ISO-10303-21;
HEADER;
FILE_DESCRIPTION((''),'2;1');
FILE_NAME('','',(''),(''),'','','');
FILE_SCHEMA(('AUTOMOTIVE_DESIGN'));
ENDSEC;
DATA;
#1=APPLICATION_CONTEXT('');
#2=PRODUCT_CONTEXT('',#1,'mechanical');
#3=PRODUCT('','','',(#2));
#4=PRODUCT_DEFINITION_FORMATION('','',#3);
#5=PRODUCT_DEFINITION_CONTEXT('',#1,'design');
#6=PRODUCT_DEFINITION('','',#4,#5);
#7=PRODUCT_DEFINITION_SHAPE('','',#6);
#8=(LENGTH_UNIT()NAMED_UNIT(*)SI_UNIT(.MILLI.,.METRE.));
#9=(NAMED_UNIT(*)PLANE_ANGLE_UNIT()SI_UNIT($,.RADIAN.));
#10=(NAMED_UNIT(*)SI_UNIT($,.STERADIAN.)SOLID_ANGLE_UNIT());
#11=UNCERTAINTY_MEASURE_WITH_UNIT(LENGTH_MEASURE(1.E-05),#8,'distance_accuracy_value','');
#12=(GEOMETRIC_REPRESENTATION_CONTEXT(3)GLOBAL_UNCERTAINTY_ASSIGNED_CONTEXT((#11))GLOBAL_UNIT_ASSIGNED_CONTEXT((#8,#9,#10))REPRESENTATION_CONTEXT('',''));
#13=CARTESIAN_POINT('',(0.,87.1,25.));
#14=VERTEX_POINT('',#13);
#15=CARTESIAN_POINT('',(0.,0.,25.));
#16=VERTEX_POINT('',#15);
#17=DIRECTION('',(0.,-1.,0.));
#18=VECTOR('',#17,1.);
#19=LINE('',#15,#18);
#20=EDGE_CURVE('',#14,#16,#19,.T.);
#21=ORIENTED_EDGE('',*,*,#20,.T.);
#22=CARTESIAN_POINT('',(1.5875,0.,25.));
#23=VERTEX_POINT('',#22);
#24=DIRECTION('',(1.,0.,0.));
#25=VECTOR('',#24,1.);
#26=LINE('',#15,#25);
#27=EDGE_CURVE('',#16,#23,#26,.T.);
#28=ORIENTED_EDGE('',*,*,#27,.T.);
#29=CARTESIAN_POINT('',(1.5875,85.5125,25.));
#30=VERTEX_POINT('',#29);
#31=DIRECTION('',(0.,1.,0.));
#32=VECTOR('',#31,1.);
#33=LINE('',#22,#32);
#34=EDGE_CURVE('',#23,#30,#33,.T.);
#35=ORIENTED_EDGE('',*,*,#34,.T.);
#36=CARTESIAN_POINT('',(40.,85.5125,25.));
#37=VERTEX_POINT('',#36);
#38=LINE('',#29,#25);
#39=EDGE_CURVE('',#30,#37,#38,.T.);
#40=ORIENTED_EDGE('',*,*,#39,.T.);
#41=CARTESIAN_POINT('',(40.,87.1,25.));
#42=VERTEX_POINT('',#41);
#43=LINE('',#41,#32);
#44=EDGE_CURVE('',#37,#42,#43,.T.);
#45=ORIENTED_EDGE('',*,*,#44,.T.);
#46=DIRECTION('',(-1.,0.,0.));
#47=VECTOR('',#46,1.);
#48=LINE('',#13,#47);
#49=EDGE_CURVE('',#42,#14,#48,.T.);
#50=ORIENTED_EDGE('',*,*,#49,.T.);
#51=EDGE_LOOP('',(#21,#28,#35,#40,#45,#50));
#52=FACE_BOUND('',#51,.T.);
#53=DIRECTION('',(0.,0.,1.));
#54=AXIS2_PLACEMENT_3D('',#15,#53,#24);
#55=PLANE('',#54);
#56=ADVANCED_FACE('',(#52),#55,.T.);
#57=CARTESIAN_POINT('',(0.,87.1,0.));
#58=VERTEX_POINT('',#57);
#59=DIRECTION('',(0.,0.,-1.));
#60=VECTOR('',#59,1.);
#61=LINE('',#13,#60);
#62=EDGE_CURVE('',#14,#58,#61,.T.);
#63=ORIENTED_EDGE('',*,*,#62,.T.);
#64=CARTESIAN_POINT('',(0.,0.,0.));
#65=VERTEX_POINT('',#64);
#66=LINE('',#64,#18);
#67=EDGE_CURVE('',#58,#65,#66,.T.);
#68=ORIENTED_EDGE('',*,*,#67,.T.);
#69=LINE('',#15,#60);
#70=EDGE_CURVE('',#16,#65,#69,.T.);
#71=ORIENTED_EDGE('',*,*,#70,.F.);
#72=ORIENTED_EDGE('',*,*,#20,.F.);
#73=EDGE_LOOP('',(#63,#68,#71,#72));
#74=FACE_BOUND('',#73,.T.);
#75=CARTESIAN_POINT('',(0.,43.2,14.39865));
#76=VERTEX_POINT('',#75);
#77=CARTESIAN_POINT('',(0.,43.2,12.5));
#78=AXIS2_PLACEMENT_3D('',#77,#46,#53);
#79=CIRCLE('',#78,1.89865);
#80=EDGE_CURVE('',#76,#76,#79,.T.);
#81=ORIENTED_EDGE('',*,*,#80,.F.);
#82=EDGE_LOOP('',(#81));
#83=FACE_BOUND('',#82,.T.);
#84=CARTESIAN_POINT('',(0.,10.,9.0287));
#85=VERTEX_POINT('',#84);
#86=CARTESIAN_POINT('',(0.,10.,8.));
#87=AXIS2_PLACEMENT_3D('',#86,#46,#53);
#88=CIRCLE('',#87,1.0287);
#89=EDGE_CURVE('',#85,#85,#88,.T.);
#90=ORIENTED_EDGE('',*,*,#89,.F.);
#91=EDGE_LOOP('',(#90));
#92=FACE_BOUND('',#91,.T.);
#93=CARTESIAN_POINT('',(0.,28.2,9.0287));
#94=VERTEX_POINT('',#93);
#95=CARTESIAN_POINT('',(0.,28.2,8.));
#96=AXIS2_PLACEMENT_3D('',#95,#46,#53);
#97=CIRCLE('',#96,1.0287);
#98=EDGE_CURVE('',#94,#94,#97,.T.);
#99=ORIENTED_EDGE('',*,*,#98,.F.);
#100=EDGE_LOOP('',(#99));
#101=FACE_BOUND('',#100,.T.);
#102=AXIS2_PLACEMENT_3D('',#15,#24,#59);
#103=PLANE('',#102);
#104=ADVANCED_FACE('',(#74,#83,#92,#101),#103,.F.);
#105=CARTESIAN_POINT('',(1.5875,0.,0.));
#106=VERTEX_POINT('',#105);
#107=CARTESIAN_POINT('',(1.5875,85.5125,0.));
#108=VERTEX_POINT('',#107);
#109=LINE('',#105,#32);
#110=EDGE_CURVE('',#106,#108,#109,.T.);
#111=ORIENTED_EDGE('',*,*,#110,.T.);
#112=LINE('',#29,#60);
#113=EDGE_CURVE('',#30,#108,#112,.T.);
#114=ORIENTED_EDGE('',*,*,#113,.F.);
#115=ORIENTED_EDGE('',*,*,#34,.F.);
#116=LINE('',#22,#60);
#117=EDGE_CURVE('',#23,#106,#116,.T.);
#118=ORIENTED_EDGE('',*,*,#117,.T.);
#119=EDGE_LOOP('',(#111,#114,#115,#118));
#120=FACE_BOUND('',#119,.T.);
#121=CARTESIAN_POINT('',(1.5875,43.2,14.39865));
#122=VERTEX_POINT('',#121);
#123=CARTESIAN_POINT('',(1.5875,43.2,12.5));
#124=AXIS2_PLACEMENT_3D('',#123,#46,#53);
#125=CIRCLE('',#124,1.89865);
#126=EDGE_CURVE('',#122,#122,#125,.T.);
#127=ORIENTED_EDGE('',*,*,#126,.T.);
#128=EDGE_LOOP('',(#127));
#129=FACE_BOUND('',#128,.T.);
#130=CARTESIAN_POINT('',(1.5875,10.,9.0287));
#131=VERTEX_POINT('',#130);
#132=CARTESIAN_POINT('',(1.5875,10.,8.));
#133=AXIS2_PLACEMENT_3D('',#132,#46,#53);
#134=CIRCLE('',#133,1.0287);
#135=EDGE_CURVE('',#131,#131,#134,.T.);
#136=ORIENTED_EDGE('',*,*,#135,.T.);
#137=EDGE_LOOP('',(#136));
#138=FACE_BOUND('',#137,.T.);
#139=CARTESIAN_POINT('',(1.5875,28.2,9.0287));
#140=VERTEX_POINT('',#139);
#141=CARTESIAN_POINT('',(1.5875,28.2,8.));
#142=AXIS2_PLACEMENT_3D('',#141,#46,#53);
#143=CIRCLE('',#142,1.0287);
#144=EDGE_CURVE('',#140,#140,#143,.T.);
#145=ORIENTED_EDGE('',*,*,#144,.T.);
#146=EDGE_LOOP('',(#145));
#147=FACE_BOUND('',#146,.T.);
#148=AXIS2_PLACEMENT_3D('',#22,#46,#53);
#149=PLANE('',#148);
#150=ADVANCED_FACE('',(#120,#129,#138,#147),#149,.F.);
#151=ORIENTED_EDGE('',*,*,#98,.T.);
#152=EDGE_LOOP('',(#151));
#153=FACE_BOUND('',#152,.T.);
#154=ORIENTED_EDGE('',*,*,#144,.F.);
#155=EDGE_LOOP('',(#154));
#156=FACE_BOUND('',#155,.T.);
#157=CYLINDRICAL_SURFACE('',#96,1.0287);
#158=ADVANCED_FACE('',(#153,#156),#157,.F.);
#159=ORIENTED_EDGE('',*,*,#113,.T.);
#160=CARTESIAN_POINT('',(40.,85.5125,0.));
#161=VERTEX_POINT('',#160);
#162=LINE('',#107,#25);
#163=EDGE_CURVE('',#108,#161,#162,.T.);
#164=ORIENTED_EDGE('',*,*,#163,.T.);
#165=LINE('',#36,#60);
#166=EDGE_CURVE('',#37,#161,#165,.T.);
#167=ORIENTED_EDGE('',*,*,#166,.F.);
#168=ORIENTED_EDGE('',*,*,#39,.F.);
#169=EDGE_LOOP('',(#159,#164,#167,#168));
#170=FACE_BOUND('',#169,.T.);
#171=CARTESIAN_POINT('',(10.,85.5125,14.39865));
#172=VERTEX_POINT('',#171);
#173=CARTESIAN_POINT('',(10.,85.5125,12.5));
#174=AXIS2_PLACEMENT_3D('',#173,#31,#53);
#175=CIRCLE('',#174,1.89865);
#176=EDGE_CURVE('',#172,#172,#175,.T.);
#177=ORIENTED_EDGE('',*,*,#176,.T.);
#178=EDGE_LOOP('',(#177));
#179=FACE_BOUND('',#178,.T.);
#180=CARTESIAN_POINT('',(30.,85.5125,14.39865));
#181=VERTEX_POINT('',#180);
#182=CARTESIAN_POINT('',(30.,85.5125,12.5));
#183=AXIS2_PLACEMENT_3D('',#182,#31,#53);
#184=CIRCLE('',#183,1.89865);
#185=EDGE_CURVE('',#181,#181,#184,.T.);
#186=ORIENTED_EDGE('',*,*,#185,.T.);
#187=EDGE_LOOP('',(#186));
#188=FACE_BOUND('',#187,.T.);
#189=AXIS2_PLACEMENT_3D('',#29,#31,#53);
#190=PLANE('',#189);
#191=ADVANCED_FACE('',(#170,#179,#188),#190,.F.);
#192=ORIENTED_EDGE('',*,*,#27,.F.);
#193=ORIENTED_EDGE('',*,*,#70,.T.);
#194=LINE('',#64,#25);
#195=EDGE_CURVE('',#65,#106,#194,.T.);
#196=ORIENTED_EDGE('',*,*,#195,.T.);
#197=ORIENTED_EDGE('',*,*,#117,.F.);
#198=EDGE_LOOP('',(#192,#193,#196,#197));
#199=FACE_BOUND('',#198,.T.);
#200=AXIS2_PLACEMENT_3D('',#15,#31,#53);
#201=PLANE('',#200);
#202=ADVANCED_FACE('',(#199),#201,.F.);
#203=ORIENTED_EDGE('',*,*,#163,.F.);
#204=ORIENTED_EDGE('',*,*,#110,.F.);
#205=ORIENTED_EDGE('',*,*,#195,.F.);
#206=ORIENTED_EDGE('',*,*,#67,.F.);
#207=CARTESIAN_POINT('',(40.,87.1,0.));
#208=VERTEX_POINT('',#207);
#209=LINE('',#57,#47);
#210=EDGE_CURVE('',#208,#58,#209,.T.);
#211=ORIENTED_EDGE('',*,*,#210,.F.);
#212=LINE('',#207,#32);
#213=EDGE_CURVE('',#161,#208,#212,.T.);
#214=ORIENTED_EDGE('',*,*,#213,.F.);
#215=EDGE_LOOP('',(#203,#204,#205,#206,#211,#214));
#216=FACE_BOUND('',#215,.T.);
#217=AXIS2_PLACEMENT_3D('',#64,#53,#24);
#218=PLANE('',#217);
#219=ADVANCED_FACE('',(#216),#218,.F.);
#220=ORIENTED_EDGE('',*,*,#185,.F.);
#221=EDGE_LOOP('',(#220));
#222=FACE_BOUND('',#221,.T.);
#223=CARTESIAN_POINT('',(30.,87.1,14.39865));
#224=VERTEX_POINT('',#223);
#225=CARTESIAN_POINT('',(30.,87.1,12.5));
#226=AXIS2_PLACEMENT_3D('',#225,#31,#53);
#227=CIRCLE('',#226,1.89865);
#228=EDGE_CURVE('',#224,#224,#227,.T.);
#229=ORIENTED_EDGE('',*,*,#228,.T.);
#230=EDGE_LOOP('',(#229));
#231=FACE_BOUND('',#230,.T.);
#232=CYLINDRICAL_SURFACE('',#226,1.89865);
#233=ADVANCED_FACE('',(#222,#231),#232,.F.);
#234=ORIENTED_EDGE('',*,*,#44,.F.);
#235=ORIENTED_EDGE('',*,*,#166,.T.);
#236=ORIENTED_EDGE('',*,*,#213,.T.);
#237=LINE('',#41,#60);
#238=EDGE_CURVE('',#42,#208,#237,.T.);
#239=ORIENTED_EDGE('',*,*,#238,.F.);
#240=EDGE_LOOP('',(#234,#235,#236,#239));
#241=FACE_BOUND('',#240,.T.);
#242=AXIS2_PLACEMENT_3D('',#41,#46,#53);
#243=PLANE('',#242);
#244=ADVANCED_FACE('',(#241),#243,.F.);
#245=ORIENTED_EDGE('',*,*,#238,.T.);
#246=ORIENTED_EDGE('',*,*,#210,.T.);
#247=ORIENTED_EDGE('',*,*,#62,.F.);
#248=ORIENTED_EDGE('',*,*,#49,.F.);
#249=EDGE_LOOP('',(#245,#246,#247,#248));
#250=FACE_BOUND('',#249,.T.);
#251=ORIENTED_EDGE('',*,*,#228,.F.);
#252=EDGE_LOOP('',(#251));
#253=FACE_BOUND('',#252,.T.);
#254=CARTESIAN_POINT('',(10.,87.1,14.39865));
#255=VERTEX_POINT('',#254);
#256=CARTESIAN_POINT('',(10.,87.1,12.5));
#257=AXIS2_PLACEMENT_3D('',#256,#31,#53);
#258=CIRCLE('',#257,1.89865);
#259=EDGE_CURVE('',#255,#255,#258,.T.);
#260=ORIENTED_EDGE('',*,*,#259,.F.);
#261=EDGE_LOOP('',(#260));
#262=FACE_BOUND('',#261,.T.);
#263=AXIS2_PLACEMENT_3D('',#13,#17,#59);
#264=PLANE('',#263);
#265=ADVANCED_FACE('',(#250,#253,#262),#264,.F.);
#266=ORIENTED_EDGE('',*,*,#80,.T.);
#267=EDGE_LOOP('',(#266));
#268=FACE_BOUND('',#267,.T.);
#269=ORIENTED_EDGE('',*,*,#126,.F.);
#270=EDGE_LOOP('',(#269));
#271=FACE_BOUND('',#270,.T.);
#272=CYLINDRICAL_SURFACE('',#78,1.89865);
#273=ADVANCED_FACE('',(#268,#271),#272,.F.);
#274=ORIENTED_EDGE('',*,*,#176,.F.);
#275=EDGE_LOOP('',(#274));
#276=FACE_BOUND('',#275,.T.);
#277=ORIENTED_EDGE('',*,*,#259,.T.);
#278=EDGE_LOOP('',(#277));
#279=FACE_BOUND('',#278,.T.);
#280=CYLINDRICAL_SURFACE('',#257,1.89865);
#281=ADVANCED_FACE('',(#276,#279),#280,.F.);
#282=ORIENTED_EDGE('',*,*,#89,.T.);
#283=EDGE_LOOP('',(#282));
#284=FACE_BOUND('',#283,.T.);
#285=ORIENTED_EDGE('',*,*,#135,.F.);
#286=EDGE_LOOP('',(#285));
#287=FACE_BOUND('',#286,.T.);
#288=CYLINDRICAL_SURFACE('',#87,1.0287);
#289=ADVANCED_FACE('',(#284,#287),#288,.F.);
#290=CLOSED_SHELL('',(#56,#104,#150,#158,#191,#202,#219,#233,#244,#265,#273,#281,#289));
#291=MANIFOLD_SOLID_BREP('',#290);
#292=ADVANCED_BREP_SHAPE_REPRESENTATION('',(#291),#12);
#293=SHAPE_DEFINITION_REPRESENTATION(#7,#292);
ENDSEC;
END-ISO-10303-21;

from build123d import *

# Parameters (mm, degrees)
BOSS_EXTRUDE1_DEPTH   = 25
F_6_CLEARANCE_HOLE1_D = 3.7973
F_1_CLEARANCE_HOLE2_D = 2.0574
F_6_CLEARANCE_HOLE2_D = 3.7973


with BuildPart() as part:
    # Sketch2 → Boss-Extrude1 (new body)
    with BuildSketch(Plane.XY):
        Polygon((0, 0), (0, 87.1), (40, 87.1), (40, 85.5125), (1.5875, 85.5125), (1.5875, 0), align=None)
    extrude(amount=BOSS_EXTRUDE1_DEPTH)

    # #6 Clearance Hole1 (through all)
    with Locations(Plane(origin=(0, 87.1, 0), x_dir=(1, 0, 0), z_dir=(0, 1, 0))):
        with Locations((10, -12.5), (30, -12.5)):
            Hole(F_6_CLEARANCE_HOLE1_D / 2)

    # #1 Clearance Hole2 (through all)
    with Locations(Plane.ZY):
        with Locations((8, 10), (8, 28.2)):
            Hole(F_1_CLEARANCE_HOLE2_D / 2)

    # #6 Clearance Hole2 (through all)
    with Locations(Plane.ZY):
        with Locations((12.5, 43.2)):
            Hole(F_6_CLEARANCE_HOLE2_D / 2)


solid = part.part
